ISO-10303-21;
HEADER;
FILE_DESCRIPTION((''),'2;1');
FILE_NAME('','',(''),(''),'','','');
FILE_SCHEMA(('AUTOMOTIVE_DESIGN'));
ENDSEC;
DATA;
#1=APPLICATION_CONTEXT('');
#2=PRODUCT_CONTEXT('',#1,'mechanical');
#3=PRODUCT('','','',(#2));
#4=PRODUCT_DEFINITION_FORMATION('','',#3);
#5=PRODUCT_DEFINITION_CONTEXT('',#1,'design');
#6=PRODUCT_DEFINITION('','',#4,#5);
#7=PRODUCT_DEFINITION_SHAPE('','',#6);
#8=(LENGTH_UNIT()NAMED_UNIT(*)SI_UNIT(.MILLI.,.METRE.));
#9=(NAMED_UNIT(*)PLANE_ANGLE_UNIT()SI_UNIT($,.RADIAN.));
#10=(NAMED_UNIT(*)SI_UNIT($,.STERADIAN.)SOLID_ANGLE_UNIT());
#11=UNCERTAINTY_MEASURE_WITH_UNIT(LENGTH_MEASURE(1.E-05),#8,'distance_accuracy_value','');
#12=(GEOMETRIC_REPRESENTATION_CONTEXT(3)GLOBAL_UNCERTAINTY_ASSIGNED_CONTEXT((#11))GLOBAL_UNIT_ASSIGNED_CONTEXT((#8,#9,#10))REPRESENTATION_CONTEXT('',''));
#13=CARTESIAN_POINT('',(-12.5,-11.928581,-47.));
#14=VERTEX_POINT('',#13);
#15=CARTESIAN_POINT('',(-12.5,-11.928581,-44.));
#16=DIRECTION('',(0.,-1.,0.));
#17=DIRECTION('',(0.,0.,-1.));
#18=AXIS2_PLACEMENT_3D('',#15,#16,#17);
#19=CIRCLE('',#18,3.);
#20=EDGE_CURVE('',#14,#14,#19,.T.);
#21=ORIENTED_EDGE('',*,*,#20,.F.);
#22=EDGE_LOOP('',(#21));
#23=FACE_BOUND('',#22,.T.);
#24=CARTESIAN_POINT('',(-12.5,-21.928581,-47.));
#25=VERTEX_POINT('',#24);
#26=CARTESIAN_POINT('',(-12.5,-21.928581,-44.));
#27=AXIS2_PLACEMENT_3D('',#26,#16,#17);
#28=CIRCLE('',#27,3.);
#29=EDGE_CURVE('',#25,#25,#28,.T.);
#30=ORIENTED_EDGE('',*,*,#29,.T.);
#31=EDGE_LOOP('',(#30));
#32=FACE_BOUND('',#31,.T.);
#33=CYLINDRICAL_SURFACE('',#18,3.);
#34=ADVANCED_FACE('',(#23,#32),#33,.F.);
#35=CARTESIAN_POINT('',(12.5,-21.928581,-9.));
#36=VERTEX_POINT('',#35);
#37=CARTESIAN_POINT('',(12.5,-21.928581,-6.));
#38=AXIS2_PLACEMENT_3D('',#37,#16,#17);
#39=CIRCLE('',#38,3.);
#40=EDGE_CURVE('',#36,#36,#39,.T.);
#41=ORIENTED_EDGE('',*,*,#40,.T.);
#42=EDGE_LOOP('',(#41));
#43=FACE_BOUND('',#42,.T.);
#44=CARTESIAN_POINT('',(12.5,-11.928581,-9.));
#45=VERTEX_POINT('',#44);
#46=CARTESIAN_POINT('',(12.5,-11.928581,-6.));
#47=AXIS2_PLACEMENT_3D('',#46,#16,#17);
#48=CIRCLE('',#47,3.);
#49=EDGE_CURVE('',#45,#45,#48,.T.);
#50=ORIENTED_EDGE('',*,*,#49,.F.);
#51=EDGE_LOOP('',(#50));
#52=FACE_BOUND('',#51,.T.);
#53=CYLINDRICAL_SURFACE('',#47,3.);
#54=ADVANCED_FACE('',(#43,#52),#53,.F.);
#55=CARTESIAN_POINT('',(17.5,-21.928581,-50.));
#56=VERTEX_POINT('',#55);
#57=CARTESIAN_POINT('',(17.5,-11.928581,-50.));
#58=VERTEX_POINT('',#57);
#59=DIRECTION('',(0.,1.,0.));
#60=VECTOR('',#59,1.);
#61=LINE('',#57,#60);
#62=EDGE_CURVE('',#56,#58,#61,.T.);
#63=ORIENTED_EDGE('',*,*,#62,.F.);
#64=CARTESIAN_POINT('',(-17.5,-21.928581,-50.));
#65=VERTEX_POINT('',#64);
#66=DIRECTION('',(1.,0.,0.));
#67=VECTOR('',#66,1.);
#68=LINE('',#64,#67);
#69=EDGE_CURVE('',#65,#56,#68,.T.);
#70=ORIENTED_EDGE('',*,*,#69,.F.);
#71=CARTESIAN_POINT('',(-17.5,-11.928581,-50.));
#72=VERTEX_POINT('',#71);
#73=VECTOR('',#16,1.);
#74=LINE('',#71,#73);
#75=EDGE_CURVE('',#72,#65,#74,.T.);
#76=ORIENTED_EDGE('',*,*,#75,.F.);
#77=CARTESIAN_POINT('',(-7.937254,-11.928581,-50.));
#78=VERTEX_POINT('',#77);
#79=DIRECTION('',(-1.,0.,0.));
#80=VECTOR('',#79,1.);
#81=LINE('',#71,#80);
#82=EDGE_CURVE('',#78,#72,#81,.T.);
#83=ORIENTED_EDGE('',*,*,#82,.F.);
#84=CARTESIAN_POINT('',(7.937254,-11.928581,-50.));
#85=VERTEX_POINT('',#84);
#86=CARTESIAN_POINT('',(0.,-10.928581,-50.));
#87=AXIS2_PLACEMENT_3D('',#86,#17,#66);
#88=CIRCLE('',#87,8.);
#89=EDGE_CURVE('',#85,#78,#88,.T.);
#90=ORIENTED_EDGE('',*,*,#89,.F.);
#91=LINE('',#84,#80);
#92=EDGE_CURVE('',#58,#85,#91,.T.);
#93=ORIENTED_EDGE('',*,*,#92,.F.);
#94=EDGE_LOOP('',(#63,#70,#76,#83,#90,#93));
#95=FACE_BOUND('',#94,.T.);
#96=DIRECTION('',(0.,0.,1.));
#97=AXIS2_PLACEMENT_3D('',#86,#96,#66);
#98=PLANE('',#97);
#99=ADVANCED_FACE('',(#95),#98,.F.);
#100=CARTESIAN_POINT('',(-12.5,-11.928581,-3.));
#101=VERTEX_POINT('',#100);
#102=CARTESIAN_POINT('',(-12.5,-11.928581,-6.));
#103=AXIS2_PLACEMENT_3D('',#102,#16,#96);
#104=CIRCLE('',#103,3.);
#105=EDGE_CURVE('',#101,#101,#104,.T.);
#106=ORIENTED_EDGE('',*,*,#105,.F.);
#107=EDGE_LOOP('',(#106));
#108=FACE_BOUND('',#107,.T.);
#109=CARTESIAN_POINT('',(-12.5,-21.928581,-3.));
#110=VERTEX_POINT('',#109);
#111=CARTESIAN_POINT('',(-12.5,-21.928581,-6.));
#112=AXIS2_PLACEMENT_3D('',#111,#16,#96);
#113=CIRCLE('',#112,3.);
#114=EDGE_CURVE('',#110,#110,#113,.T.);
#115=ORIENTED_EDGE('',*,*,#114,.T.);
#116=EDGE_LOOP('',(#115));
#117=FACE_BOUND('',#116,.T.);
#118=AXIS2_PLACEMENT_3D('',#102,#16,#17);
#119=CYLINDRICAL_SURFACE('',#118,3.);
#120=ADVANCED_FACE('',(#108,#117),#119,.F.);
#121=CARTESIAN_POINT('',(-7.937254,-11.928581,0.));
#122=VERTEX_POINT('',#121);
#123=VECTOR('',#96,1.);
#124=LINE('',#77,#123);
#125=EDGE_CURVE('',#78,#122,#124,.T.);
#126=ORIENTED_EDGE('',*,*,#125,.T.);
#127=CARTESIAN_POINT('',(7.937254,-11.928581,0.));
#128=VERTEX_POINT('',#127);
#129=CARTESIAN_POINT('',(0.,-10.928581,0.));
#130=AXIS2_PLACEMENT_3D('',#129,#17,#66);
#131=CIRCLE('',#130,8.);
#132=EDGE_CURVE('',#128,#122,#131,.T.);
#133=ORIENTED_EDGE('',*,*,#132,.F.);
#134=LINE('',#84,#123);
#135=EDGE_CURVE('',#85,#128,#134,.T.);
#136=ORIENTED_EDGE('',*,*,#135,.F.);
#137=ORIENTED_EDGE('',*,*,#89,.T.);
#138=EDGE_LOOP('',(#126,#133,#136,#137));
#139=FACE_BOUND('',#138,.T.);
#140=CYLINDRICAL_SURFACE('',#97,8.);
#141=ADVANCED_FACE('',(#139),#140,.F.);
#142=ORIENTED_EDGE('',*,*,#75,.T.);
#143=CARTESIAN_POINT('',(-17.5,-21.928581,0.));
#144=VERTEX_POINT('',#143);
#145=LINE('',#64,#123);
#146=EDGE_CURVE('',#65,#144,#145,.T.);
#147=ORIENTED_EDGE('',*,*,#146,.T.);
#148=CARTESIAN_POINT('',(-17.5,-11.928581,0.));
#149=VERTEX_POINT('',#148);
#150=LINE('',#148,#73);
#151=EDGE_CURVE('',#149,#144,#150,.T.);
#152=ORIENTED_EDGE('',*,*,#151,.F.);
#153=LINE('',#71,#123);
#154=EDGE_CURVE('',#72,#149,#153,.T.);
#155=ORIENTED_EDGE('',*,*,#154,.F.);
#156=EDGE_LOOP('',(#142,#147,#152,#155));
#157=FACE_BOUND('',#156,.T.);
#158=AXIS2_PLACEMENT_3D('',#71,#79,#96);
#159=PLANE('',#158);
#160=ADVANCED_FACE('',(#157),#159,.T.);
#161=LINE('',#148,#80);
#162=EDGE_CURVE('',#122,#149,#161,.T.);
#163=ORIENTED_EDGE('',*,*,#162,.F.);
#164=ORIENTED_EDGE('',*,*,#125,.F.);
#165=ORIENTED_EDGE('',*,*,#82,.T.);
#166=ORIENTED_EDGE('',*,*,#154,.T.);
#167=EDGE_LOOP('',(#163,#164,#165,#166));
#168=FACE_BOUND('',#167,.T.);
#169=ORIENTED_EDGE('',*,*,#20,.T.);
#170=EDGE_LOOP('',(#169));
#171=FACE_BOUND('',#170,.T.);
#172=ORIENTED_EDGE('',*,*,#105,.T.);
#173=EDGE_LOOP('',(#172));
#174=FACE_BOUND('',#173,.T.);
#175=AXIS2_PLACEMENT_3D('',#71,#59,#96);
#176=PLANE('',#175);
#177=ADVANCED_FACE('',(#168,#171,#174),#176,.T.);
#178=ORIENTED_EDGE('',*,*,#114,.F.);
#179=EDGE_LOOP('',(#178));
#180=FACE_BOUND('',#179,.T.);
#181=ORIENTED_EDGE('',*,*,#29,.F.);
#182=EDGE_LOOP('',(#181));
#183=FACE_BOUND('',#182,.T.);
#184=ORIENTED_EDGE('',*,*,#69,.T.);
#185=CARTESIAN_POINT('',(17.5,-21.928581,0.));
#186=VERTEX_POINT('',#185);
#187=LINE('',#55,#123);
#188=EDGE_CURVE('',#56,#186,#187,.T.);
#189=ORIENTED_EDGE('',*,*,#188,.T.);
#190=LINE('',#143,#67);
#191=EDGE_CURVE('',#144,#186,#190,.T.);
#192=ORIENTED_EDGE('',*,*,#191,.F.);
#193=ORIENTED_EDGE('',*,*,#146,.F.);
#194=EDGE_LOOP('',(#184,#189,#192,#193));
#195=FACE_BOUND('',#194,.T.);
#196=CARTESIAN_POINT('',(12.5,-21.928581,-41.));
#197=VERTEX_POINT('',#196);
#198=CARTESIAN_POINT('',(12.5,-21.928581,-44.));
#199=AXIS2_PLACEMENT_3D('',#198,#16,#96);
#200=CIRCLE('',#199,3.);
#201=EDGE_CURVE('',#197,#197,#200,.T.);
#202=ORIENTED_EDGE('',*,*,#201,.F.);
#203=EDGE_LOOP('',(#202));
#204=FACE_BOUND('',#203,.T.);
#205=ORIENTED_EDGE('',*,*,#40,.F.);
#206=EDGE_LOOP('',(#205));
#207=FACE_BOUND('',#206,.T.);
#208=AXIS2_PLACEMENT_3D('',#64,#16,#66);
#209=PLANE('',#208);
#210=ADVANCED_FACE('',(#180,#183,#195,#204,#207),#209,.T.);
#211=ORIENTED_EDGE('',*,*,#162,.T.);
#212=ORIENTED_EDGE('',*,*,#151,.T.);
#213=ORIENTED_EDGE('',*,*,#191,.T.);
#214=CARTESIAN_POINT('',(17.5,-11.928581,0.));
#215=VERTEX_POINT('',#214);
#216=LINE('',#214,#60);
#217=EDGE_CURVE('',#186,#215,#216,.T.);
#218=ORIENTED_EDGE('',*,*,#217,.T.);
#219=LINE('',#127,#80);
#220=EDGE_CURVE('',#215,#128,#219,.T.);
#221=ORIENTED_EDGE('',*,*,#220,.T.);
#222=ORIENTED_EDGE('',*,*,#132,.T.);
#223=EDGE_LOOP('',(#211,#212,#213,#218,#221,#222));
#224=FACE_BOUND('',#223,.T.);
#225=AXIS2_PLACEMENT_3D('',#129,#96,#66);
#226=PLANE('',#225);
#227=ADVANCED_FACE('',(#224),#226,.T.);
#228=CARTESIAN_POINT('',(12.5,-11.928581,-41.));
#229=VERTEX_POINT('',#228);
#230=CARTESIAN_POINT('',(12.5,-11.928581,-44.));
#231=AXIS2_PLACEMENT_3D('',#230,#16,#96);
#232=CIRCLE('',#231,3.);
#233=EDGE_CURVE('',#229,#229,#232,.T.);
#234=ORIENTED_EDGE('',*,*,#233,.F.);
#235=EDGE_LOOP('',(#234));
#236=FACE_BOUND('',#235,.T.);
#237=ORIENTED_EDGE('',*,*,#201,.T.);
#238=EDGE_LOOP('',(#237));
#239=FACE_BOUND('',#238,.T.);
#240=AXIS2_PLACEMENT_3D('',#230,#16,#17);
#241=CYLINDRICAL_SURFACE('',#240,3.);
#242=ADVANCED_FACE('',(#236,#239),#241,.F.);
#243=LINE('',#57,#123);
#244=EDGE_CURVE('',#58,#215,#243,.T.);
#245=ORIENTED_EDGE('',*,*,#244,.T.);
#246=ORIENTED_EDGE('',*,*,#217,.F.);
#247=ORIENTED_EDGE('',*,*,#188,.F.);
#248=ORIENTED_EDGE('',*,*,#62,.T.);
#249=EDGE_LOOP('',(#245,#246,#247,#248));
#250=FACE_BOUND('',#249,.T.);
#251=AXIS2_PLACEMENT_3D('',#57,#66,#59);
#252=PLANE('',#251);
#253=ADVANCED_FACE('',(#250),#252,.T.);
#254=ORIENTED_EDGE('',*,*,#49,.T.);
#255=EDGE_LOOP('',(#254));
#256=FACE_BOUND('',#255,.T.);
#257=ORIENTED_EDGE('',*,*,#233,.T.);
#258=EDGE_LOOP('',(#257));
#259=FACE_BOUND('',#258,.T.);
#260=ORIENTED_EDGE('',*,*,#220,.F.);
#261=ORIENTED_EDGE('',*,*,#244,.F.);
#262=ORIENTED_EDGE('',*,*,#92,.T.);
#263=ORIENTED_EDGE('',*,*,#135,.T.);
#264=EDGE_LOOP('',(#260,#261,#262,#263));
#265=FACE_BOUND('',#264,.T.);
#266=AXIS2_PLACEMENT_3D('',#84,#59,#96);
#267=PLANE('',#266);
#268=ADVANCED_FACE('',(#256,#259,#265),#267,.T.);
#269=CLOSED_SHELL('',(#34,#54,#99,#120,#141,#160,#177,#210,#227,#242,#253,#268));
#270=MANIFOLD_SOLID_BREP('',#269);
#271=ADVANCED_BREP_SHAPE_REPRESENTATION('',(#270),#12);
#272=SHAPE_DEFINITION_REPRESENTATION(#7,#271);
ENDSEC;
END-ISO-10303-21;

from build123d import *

# Parameters (mm, degrees)
BOSS_EXTRUDE1_DEPTH = 50
SKETCH3_R           = 3
CUT_EXTRUDE1_DEPTH  = 54.909646632


with BuildPart() as part:
    # Sketch2 → Boss-Extrude1 (new body)
    with BuildSketch(Plane.XY):
        with BuildLine():
            Line((-17.5, -11.928580859), (-7.937253933, -11.928580859))
            ThreePointArc((-7.937253933, -11.928580859), (0, -18.928580859), (7.937253933, -11.928580859))
            Line((7.937253933, -11.928580859), (17.5, -11.928580859))
            Line((17.5, -11.928580859), (17.5, -21.928580859))
            Line((17.5, -21.928580859), (-17.5, -21.928580859))
            Line((-17.5, -21.928580859), (-17.5, -11.928580859))
        make_face()
    extrude(amount=-BOSS_EXTRUDE1_DEPTH)

    # Sketch3 → Cut-Extrude1 (cut, through all)
    with BuildSketch(Plane.XZ.offset(21.928580859)):
        with Locations(Location((12.5, -6, 0), (0, 0, 270))):
            Circle(SKETCH3_R)
        with Locations(Location((-12.5, -6, 0), (0, 0, 90))):
            Circle(SKETCH3_R)
        with Locations(Location((-12.5, -44, 0), (0, 0, 270))):
            Circle(SKETCH3_R)
        with Locations(Location((12.5, -44, 0), (0, 0, 90))):
            Circle(SKETCH3_R)
    extrude(amount=-CUT_EXTRUDE1_DEPTH, mode=Mode.SUBTRACT)


solid = part.part
